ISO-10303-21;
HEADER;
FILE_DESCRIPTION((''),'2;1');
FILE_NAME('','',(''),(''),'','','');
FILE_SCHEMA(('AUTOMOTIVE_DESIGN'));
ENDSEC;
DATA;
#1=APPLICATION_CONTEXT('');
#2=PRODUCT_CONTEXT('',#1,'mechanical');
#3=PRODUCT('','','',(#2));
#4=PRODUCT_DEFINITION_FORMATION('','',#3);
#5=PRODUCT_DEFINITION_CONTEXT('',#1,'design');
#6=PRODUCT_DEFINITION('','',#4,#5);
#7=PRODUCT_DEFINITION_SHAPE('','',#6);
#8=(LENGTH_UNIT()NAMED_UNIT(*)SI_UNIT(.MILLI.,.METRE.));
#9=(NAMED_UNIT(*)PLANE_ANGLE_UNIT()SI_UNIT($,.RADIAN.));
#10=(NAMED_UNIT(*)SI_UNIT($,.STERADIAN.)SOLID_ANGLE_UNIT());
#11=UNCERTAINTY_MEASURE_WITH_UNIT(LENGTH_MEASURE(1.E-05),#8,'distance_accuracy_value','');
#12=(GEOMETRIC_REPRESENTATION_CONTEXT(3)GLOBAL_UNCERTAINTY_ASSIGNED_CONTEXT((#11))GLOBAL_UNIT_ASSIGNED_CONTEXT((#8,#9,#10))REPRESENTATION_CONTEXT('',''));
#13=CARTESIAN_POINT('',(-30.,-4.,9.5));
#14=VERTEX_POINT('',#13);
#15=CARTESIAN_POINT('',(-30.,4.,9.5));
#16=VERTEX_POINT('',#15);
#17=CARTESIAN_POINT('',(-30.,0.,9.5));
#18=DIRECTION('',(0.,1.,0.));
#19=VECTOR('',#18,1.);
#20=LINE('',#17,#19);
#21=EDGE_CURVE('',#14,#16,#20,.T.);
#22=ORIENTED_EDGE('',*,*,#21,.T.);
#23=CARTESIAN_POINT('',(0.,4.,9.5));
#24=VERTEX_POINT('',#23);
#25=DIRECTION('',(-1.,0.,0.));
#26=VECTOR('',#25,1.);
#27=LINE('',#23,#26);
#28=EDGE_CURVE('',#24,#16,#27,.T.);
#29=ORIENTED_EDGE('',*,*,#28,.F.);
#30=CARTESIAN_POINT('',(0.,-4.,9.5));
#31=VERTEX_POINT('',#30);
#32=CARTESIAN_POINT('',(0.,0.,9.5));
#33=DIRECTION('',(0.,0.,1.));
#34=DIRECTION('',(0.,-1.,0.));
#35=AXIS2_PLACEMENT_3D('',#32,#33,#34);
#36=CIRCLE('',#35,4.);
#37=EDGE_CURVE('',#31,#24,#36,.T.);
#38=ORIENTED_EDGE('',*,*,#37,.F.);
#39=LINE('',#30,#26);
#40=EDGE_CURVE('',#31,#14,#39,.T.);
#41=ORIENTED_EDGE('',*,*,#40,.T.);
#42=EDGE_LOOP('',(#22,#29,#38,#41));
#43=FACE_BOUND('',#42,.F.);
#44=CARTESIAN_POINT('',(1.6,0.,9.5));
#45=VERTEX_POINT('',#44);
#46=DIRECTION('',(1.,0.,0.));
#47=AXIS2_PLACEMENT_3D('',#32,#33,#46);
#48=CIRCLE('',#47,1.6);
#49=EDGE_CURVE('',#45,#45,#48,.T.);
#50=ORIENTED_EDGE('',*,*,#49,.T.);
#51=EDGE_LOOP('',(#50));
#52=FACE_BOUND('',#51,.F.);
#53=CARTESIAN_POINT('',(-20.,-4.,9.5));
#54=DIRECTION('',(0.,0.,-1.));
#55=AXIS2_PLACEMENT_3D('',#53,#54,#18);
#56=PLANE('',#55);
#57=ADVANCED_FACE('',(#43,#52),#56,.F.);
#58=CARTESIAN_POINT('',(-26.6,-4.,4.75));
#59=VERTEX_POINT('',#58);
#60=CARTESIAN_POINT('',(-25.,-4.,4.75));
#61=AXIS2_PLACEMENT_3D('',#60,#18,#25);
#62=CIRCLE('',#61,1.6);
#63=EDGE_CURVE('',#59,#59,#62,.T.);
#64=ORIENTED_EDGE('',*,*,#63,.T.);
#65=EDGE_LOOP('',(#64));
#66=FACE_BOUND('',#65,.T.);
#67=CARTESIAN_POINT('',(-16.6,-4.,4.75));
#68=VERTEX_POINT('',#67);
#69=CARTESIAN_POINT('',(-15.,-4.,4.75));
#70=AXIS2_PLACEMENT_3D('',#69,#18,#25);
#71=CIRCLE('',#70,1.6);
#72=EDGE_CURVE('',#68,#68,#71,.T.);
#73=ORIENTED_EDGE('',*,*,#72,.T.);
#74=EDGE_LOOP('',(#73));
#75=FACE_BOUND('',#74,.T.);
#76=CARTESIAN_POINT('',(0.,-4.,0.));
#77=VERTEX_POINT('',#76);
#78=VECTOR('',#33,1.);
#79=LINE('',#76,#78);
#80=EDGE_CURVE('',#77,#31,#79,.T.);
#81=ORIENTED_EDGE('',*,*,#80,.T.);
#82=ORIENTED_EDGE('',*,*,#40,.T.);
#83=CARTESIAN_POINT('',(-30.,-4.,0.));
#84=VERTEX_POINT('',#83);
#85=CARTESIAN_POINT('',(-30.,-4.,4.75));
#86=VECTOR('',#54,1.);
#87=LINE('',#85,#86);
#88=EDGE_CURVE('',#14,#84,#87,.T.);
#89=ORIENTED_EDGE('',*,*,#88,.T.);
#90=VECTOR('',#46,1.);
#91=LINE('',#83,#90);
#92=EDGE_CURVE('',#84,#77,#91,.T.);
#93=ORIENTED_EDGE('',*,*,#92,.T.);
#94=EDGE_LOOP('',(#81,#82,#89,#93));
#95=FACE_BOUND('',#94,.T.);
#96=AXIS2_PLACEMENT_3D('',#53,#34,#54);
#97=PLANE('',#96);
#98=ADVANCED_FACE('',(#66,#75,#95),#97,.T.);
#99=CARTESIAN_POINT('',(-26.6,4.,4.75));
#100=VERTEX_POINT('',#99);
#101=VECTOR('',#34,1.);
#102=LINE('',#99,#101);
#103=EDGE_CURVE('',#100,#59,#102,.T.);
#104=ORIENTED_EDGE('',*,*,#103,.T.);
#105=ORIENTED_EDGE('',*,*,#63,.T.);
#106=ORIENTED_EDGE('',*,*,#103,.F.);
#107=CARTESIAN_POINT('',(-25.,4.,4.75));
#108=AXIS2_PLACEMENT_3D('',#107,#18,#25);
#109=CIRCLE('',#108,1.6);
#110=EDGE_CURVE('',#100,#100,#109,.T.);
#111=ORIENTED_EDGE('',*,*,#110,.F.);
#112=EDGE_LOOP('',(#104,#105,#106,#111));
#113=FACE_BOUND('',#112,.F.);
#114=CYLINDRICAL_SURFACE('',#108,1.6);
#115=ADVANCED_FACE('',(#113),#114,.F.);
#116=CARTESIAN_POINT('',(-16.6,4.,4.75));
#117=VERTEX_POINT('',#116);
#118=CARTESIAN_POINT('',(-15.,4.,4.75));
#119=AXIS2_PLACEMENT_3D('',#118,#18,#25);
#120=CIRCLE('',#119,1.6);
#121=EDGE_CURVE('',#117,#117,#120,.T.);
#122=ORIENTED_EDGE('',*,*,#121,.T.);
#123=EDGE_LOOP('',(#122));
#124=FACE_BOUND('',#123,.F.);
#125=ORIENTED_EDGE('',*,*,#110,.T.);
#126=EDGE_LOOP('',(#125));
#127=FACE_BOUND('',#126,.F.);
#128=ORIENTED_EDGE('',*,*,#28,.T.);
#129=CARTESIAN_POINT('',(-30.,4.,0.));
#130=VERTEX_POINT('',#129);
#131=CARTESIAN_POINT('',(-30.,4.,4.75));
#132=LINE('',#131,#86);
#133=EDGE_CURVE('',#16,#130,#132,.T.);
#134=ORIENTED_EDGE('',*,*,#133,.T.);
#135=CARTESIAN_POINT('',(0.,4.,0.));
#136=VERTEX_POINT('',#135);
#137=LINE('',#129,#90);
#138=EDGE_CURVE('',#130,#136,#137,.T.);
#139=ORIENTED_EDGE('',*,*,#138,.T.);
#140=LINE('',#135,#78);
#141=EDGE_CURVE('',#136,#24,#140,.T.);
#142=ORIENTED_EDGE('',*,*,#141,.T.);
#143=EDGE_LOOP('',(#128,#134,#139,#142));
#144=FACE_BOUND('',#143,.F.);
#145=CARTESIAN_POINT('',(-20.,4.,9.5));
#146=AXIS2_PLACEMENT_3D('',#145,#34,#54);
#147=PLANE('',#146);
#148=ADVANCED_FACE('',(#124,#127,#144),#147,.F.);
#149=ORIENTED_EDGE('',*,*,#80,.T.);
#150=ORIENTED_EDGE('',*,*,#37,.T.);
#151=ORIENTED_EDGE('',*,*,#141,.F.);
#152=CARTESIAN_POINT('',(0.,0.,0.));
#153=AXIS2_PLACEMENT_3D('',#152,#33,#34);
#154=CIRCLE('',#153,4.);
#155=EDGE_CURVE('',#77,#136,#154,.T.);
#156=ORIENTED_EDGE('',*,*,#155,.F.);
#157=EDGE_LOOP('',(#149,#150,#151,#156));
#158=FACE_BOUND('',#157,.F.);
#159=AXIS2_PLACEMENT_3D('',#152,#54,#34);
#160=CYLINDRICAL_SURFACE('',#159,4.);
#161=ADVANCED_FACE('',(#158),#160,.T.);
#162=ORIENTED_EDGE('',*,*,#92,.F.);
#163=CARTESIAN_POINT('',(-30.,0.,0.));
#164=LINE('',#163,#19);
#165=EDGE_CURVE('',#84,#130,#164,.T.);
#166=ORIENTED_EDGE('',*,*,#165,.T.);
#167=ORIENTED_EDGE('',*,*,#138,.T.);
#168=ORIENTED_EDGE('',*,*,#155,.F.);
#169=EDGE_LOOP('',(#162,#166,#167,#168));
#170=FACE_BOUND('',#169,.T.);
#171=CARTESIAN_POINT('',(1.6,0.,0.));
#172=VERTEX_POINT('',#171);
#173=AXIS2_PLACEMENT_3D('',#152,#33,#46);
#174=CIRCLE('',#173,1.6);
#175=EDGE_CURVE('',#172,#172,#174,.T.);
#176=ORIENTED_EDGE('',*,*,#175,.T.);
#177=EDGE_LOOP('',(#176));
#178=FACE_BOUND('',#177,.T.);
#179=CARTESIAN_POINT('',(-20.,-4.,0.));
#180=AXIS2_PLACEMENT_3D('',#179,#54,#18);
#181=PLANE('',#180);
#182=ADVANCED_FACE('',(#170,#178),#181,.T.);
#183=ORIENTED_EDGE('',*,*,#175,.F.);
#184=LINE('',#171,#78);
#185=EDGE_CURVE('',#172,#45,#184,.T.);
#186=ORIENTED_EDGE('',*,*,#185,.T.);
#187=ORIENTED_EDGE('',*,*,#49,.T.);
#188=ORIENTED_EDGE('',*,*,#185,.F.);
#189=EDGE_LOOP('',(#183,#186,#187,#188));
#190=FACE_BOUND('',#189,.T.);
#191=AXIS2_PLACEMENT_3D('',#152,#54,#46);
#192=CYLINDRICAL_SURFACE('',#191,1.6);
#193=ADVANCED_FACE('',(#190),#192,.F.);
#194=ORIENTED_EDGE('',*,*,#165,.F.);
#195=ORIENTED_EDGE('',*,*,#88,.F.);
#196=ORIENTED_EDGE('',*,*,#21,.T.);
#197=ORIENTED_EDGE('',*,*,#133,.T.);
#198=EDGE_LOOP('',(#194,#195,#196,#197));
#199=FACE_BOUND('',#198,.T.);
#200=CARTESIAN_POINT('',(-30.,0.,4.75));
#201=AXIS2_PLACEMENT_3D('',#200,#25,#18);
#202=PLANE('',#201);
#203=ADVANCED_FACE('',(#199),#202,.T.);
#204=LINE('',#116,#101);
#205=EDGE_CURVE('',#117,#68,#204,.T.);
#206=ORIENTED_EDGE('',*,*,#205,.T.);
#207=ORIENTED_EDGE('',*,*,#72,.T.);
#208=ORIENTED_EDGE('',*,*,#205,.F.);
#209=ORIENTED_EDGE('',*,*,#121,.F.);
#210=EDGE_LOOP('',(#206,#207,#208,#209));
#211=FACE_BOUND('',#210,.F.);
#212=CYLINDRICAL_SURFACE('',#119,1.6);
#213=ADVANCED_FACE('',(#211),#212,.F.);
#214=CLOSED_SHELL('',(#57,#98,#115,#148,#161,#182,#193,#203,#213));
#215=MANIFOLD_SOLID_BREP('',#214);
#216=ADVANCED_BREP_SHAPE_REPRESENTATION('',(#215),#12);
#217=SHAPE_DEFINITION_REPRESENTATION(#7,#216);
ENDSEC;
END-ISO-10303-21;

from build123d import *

# Parameters (mm, degrees)
SKETCH_R        = 1.6
PAD_DEPTH       = 9.5
SKETCH001_R     = 1.6
POCKET_DEPTH    = 8.001
POCKET_FACE6_W  = 8
POCKET_FACE6_H  = 9.5
PAD001_DEPTH    = 10
SKETCH002_R     = 1.6
POCKET001_DEPTH = 8.001


with BuildPart() as part:
    # Sketch → Pad (new body)
    with BuildSketch(Plane.XY):
        with BuildLine():
            ThreePointArc((0, -4), (4, 0), (0, 4))
            Line((0, 4), (-20, 4))
            Line((-20, 4), (-20, -4))
            Line((-20, -4), (0, -4))
        make_face()
        Circle(SKETCH_R, mode=Mode.SUBTRACT)
    extrude(amount=PAD_DEPTH)

    # Sketch001 (on Face2 of Pad) → Pocket (cut, through all)
    with BuildSketch(Plane(origin=(0, 4, 0), x_dir=(-1, 0, 0), z_dir=(0, 1, 0))):
        with Locations((15, 4.75)):
            Circle(SKETCH001_R)
    extrude(amount=-POCKET_DEPTH, mode=Mode.SUBTRACT)

    # Pocket Face6 → Pad001 (add)
    with BuildSketch(Plane(origin=(-20, 0, 4.75), x_dir=(0, 1, 0), z_dir=(-1, 0, 0))):
        Rectangle(POCKET_FACE6_W, POCKET_FACE6_H)
    extrude(amount=PAD001_DEPTH)

    # Sketch002 (on Face8 of Pad001) → Pocket001 (cut, through all)
    with BuildSketch(Plane(origin=(0, 4, 0), x_dir=(-1, 0, 0), z_dir=(0, 1, 0))):
        with Locations((25, 4.75)):
            Circle(SKETCH002_R)
    extrude(amount=-POCKET001_DEPTH, mode=Mode.SUBTRACT)


solid = part.part
